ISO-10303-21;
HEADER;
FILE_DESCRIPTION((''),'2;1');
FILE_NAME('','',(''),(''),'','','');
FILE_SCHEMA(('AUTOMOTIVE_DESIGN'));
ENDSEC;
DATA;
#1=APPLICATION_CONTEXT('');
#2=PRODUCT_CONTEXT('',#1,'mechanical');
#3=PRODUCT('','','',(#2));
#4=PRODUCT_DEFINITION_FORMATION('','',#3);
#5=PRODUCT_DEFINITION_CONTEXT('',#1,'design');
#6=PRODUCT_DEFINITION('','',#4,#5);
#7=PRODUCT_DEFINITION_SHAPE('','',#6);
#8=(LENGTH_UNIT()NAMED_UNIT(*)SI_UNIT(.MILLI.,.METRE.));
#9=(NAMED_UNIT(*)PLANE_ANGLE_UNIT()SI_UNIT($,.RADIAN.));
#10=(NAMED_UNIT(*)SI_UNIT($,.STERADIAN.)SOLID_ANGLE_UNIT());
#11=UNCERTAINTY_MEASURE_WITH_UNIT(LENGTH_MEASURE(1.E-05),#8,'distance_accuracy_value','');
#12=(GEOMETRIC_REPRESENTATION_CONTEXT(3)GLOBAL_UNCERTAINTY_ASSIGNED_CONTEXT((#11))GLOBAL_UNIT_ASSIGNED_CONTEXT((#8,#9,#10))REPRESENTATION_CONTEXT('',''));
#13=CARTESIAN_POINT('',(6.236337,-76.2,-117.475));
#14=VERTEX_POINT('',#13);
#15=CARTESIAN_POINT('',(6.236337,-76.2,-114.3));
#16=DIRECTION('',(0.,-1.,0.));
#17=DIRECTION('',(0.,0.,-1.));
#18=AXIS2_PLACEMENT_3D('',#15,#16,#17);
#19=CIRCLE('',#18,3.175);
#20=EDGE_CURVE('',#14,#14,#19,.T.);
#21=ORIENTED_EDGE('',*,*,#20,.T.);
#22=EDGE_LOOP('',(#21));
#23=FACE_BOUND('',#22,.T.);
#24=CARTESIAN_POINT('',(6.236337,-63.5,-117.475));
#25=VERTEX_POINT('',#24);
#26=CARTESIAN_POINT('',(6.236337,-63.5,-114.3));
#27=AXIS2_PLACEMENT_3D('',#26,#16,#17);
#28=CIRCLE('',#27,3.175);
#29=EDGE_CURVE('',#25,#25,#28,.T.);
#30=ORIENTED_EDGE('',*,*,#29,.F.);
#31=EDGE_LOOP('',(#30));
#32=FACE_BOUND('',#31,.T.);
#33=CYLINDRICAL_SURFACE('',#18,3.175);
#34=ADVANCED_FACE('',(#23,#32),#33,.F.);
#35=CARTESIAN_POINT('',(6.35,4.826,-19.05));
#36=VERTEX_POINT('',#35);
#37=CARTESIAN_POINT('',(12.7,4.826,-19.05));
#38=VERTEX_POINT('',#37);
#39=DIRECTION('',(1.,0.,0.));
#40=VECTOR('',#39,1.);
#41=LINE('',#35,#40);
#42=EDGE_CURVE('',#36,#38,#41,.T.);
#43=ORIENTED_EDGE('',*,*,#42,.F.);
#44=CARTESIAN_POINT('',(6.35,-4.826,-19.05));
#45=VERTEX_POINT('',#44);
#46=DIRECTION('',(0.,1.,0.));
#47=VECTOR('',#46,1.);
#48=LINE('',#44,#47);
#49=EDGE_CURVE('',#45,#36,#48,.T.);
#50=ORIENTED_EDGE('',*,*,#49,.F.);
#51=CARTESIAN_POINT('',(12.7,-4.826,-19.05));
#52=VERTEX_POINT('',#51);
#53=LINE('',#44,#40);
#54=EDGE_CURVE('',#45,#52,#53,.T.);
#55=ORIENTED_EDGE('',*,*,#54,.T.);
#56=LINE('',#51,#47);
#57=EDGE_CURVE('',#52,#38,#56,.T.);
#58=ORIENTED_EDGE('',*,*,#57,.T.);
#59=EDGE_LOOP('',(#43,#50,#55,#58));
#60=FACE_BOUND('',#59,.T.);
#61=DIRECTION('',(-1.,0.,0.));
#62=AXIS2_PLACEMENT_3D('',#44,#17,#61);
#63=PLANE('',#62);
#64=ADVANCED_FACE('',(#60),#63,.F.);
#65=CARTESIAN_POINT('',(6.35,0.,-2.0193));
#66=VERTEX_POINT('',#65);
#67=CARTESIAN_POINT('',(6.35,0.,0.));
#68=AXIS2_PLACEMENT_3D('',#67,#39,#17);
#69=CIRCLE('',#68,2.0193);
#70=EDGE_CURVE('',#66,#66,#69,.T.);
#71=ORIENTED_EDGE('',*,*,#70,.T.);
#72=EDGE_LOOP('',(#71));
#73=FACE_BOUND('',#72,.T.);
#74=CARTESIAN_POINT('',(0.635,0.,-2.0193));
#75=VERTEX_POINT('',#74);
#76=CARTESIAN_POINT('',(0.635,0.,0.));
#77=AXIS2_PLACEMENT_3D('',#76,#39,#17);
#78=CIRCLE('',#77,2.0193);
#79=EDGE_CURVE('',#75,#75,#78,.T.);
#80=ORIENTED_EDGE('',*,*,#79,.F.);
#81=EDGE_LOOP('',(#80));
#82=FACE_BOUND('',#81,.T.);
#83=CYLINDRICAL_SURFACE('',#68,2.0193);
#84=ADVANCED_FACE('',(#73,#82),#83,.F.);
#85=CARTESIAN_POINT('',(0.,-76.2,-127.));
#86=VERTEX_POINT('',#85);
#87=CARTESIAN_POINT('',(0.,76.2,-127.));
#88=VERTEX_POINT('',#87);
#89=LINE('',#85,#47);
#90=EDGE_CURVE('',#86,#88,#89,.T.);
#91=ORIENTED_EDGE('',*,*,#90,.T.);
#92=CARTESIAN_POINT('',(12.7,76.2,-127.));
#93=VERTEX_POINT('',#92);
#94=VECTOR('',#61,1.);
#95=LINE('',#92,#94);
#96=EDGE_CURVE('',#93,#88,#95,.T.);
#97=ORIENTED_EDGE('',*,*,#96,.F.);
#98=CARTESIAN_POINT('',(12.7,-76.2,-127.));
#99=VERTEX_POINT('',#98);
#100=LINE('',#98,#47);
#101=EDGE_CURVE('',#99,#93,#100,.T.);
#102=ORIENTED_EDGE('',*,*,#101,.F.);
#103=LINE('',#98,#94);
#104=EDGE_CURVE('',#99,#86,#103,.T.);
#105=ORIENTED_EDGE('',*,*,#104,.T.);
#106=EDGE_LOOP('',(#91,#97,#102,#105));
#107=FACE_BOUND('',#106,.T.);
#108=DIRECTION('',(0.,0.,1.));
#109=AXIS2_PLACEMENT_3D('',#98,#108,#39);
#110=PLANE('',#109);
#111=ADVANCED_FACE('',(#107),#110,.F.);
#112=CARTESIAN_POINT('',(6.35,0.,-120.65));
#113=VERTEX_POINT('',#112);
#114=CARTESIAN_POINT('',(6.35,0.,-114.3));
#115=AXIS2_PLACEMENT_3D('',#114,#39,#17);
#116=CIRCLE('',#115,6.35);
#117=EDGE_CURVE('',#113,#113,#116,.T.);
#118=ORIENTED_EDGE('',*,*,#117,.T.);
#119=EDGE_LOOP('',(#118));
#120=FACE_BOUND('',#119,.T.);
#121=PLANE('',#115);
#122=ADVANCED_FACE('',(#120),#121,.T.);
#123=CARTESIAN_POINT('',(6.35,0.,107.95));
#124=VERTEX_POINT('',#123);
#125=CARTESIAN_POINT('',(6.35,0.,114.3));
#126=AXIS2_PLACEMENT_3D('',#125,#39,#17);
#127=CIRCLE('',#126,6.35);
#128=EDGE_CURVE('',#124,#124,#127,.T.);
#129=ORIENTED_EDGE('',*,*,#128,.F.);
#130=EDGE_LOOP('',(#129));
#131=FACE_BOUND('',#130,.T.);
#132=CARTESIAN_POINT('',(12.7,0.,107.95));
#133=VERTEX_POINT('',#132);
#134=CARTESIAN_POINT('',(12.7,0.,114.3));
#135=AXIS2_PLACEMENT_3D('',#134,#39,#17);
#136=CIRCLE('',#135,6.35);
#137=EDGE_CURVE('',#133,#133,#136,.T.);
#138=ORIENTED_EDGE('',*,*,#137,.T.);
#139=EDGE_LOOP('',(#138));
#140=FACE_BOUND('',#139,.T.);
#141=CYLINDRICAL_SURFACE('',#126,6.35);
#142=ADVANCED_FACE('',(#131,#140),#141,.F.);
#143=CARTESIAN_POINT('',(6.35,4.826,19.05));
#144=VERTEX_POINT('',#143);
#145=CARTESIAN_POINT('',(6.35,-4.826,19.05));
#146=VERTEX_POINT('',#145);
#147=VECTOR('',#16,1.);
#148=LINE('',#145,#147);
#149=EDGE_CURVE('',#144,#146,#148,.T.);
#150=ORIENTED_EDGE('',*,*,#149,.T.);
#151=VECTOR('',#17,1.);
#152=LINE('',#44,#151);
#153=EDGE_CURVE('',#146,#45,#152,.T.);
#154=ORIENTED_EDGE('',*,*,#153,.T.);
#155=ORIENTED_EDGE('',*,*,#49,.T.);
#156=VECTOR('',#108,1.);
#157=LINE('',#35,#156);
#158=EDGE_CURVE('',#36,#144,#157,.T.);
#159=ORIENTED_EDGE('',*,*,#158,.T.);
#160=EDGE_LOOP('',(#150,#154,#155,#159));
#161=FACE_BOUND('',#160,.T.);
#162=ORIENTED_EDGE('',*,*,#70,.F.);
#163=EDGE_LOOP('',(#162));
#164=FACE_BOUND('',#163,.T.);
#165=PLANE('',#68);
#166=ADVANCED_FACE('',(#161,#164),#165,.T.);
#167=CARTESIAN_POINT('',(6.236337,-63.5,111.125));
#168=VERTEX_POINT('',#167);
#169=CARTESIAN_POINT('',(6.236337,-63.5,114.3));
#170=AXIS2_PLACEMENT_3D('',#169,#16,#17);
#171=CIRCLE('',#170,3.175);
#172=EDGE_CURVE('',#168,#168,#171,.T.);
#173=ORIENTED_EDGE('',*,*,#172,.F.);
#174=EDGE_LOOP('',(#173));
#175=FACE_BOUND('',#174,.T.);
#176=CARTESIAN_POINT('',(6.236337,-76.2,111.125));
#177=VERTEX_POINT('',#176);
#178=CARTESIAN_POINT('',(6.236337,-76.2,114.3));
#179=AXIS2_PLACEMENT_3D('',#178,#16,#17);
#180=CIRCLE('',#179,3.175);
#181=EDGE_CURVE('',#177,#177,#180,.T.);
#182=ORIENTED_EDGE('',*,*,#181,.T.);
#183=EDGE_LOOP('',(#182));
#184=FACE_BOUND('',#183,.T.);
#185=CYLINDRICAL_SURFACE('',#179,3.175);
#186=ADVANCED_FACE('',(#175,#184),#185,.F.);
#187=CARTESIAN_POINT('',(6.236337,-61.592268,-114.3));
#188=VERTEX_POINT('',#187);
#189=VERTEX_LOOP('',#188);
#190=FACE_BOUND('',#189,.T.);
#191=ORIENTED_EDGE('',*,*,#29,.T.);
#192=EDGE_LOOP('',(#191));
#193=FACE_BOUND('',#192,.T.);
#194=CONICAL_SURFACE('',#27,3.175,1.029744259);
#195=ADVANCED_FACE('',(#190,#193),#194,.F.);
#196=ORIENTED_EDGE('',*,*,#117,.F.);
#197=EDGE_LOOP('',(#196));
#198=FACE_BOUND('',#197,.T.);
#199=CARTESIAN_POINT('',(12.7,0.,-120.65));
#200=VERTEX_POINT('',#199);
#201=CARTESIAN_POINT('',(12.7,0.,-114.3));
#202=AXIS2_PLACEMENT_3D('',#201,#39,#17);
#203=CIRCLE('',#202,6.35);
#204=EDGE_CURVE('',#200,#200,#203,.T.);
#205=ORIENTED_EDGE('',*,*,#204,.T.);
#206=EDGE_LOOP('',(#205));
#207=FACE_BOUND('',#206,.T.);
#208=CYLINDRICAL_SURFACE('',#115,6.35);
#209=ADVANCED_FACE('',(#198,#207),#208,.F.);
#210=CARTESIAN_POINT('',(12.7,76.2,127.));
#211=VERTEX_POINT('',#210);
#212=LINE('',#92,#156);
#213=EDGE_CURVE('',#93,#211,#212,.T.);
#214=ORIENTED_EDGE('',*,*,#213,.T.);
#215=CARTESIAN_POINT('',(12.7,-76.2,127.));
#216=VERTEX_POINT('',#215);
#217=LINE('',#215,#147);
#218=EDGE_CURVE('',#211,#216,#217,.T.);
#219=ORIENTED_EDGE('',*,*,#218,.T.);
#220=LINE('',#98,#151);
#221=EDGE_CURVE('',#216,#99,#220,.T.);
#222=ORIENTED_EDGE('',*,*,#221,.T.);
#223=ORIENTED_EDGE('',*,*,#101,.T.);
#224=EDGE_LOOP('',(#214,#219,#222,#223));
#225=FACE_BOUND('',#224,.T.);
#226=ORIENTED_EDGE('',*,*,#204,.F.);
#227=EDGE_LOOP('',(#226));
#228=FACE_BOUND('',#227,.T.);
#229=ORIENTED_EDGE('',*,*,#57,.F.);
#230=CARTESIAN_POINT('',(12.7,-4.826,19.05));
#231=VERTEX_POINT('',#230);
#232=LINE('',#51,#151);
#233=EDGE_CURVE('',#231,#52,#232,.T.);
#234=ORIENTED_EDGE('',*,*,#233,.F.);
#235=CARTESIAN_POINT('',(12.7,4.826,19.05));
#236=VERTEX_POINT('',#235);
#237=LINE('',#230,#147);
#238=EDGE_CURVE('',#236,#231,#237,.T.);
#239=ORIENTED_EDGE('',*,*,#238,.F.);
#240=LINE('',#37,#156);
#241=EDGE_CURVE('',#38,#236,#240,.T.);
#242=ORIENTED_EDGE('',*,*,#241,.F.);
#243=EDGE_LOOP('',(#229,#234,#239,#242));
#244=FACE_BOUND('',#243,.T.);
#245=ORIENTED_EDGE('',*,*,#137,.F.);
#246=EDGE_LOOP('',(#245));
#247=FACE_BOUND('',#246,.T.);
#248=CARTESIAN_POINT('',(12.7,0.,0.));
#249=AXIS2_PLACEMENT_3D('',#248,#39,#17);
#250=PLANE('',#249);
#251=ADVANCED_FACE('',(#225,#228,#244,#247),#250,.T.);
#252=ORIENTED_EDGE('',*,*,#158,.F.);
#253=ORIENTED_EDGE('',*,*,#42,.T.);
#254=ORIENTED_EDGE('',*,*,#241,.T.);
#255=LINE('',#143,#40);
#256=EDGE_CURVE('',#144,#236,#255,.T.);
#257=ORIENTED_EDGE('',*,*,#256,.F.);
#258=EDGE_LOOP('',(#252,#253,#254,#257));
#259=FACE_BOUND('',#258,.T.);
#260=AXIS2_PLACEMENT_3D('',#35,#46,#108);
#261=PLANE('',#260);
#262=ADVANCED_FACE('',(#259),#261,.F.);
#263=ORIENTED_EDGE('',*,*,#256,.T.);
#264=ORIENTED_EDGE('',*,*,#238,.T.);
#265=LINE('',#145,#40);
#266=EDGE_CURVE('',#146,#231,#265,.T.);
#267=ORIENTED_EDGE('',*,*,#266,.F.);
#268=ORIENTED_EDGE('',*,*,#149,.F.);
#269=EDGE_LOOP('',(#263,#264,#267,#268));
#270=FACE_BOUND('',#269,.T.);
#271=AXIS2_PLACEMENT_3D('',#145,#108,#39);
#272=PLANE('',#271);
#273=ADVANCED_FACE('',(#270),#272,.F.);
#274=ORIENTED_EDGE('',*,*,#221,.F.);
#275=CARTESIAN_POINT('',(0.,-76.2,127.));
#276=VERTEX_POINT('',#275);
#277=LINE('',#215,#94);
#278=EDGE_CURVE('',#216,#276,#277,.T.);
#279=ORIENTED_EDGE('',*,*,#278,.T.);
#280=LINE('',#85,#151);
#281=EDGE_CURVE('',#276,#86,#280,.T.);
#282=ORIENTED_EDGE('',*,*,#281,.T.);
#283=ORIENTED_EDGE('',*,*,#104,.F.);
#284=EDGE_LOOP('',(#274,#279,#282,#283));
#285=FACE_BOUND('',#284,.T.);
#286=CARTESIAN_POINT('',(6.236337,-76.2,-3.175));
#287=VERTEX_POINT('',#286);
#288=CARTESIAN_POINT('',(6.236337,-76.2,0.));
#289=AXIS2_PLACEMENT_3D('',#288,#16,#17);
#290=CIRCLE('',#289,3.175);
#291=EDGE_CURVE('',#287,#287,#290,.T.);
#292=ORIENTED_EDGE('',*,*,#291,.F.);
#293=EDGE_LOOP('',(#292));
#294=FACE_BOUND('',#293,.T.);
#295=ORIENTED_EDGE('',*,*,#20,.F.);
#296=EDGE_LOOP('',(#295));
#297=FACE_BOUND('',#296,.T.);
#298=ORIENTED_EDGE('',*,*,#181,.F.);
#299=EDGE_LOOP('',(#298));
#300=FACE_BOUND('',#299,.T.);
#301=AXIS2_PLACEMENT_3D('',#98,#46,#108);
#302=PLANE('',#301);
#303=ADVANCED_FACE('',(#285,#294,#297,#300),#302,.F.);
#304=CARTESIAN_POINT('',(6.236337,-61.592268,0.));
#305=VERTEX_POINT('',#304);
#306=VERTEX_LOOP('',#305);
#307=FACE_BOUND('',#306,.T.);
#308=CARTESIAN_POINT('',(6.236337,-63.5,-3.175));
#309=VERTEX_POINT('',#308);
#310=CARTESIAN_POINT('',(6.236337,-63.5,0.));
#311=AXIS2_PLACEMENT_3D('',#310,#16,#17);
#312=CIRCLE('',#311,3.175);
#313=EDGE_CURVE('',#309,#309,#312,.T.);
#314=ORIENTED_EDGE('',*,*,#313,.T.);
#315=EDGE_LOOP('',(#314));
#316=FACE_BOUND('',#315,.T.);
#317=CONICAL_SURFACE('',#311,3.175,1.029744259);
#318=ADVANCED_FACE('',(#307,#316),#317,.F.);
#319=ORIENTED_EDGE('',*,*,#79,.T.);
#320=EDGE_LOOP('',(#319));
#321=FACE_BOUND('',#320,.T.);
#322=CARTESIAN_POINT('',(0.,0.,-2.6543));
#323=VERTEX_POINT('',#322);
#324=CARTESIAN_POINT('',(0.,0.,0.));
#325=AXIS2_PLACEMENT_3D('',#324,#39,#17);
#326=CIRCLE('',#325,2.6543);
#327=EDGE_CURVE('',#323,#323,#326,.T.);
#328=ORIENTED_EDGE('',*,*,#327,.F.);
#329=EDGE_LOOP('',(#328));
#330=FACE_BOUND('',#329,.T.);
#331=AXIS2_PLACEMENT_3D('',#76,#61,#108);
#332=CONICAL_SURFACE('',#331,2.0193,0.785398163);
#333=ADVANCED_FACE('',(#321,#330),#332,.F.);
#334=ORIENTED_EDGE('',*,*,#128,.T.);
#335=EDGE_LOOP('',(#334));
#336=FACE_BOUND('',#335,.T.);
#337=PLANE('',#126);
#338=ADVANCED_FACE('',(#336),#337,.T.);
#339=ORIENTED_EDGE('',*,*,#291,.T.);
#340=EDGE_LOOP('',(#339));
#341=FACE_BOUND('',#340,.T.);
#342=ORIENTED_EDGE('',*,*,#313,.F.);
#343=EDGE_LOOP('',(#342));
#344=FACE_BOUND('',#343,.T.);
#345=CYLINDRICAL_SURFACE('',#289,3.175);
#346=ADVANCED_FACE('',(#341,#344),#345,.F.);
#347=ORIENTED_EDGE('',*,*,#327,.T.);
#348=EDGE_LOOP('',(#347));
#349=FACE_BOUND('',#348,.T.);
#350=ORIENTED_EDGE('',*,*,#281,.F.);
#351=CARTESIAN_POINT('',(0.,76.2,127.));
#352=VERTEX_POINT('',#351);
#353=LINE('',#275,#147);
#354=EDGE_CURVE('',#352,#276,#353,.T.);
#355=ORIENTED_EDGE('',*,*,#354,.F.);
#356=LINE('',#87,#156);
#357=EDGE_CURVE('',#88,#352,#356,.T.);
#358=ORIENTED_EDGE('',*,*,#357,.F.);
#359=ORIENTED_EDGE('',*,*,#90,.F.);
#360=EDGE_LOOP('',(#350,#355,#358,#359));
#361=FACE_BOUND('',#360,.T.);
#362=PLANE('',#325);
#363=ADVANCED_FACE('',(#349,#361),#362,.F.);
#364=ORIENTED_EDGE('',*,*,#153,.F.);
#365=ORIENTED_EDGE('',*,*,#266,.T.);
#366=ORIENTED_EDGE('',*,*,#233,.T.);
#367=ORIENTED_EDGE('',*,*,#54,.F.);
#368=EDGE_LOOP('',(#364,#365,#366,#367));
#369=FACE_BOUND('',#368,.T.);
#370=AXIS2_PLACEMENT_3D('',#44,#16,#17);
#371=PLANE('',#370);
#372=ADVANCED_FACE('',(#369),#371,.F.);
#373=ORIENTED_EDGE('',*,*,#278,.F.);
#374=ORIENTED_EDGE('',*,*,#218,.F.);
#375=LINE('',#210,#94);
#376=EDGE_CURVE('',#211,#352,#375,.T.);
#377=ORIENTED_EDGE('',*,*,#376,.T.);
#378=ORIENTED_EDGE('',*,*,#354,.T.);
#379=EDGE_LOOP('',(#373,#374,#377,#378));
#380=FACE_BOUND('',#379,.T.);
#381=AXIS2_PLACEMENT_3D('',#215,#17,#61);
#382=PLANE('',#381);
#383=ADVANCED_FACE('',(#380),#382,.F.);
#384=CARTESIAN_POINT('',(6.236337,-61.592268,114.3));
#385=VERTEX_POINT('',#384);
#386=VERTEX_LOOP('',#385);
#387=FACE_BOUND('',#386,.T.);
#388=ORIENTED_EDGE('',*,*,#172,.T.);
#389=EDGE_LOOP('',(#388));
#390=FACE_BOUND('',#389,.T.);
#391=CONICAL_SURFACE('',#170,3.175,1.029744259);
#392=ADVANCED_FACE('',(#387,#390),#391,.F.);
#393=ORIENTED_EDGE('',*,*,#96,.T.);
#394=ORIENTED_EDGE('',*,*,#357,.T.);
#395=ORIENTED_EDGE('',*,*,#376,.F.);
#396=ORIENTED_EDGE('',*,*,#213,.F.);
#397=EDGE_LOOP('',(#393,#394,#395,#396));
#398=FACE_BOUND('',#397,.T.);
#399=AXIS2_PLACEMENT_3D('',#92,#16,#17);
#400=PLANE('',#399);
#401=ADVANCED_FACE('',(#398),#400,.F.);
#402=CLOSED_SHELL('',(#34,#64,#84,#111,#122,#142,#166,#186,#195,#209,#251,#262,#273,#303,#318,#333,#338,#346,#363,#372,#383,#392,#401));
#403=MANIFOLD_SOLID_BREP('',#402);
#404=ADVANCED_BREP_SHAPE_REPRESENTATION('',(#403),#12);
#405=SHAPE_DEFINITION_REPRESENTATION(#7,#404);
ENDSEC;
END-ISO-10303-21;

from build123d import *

# Parameters (mm, degrees)
SKETCH1_W                       = 254
SKETCH1_H                       = 152.4
BOSS_EXTRUDE1_DEPTH             = 12.7
SKETCH3_R                       = 6.35
CUT_EXTRUDE2_DEPTH              = 6.35
F_1_4_0_25_DIAMETER_HOLE1_D     = 6.35
F_1_4_0_25_DIAMETER_HOLE1_DEPTH = 12.7
F_1_4_0_25_DIAMETER_HOLE1_TIP   = 1.907732465
SKETCH7_W                       = 38.1
SKETCH7_H                       = 9.652
CUT_EXTRUDE3_DEPTH              = 6.35


with BuildPart() as part:
    # Sketch1 → Boss-Extrude1 (new body)
    with BuildSketch(Plane(origin=(0, 0, 0), x_dir=(0, 0, -1), z_dir=(1, 0, 0))):
        Rectangle(SKETCH1_W, SKETCH1_H)
    extrude(amount=BOSS_EXTRUDE1_DEPTH)

    # Sketch3 → Cut-Extrude2 (cut)
    with BuildSketch(Plane(origin=(12.7, 0, 0), x_dir=(0, 0, -1), z_dir=(1, 0, 0))):
        with Locations((114.3, 0)):
            Circle(SKETCH3_R)
        with Locations((-114.3, 0)):
            Circle(SKETCH3_R)
    extrude(amount=-CUT_EXTRUDE2_DEPTH, mode=Mode.SUBTRACT)

    # 1/4 (0.25) Diameter Hole1
    with Locations(Plane(origin=(0, -76.2, 0), x_dir=(-1, 0, 0), z_dir=(0, -1, 0))):
        with Locations((-6.236337014, -114.3), (-6.236337014, 0), (-6.236337014, 114.3)):
            Hole(F_1_4_0_25_DIAMETER_HOLE1_D / 2, depth=F_1_4_0_25_DIAMETER_HOLE1_DEPTH)
            with Locations((0, 0, -(F_1_4_0_25_DIAMETER_HOLE1_DEPTH + F_1_4_0_25_DIAMETER_HOLE1_TIP / 2))):  # 118° drill point
                Cone(0, F_1_4_0_25_DIAMETER_HOLE1_D / 2, F_1_4_0_25_DIAMETER_HOLE1_TIP, mode=Mode.SUBTRACT)

    # Sketch7 → Cut-Extrude3 (cut)
    with BuildSketch(Plane(origin=(12.7, 0, 0), x_dir=(0, 0, -1), z_dir=(1, 0, 0))):
        Rectangle(SKETCH7_W, SKETCH7_H)
    extrude(amount=-CUT_EXTRUDE3_DEPTH, mode=Mode.SUBTRACT)

    # Sketch10 → #10-32 Tapped Hole1 (revolve, cut)
    with BuildSketch(Plane(origin=(6.35, 0, 0), x_dir=(0, 0, -1), z_dir=(0, 1, 0))):
        Polygon((0, 0), (0, 6.35), (2.6543, 6.35), (2.0193, 5.715), (2.0193, 0), align=None)
    revolve(axis=Axis((12.7, 0, 0), (-1, 0, 0)), mode=Mode.SUBTRACT)


solid = part.part
